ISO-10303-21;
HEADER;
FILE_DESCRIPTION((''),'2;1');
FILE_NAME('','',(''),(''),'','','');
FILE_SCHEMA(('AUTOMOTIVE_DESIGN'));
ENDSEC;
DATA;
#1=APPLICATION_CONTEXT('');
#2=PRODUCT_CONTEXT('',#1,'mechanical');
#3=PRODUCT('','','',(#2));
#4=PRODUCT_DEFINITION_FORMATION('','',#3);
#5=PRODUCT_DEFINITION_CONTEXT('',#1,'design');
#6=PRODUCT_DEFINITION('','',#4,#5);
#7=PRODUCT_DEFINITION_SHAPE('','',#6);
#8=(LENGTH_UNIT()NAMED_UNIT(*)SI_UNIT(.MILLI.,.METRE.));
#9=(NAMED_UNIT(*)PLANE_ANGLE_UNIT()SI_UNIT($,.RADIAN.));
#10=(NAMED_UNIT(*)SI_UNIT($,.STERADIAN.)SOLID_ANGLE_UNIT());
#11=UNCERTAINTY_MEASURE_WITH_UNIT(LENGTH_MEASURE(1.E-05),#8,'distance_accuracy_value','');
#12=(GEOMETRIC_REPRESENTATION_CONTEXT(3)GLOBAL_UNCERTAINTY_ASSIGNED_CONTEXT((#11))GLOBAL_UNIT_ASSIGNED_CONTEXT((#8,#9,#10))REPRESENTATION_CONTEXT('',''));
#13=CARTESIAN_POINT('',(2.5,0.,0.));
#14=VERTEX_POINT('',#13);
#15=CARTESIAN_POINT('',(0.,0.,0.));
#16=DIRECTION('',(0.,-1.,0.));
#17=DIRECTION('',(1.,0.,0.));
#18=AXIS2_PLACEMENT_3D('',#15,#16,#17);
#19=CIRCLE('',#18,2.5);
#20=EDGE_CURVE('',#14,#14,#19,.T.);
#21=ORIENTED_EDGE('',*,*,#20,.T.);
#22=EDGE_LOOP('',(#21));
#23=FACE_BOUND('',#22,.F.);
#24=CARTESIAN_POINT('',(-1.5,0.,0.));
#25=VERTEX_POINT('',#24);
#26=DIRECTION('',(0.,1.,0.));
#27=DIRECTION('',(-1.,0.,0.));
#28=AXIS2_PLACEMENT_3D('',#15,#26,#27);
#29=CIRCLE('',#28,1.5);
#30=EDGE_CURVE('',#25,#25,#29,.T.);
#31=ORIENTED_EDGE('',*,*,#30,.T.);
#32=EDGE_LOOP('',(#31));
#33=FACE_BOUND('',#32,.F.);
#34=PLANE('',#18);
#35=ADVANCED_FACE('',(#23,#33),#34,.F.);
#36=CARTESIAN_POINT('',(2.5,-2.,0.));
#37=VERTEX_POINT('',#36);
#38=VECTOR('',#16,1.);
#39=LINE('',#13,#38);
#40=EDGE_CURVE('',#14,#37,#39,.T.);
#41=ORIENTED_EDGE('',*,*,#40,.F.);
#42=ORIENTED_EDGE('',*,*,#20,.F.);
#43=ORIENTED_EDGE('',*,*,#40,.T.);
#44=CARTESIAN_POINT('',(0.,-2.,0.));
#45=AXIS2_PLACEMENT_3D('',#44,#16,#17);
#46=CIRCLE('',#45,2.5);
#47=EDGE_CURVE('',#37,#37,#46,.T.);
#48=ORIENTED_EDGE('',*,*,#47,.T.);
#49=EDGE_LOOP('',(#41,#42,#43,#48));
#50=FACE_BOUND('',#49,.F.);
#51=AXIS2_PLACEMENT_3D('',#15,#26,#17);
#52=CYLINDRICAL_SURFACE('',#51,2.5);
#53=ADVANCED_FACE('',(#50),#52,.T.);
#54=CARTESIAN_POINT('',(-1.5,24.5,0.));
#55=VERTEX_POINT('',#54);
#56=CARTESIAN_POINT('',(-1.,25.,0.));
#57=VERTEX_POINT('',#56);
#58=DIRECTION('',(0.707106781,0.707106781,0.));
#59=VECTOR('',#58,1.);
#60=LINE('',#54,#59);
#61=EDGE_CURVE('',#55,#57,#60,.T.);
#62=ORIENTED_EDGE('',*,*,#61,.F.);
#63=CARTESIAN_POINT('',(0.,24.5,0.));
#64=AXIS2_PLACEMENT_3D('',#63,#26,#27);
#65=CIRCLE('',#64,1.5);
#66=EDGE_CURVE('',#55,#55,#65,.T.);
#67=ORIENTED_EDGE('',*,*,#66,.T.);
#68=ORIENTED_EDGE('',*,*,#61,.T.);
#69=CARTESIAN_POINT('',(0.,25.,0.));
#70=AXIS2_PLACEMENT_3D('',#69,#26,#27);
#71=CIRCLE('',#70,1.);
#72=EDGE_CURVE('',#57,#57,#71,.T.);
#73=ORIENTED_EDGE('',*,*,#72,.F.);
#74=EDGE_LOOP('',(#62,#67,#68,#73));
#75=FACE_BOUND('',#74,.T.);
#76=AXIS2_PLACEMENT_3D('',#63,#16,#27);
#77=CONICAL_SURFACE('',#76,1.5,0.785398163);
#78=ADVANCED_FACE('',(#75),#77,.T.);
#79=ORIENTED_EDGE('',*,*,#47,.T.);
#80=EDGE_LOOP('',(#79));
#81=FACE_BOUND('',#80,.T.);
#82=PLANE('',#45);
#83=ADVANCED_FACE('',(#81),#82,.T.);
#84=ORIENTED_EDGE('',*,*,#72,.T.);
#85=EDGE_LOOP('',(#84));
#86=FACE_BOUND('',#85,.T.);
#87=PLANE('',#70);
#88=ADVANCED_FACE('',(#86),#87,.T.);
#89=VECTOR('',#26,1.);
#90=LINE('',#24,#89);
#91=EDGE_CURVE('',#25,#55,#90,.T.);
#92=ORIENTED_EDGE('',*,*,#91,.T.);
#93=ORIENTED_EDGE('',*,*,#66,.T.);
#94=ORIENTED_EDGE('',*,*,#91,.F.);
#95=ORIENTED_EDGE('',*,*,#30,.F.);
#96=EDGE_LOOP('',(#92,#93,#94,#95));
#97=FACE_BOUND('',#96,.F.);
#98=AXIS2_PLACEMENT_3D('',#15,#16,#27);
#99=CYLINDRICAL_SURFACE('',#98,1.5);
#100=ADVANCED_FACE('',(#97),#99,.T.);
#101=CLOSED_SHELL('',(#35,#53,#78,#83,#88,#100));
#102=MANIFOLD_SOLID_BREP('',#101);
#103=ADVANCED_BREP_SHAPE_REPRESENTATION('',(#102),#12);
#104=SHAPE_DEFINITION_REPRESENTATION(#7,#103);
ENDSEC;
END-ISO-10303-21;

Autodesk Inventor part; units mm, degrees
ref_plane "YZ Plane" through (0, 0, 0) normal (1, 0, 0) x (0, 1, 0)
ref_plane "XZ Plane" through (0, 0, 0) normal (0, 1, 0) x (-1, 0, 0)
ref_plane "XY Plane" through (0, 0, 0) normal (0, 0, 1) x (1, 0, 0)
sketch "Sketch1" plane through (0, 0, 0) normal (0, 1, 0) x (-1, 0, 0)
  circle A0 centre (0, 0) radius 1.5
  dimension "d0" = 3
extrude "Extrusion1" add sketch "Sketch1" along normal blind 25
sketch "Sketch2" plane through (0, 0, 0) normal (0, -1, 0) x (1, 0, 0)
  circle A0 centre (0, 0) radius 2.5
  dimension "d3" = 5
extrude "Extrusion2" add sketch "Sketch2" along normal blind 2
chamfer "Chamfer1" distance 0.5 angle 45 1 edges at (1.5, 25, 0)
properties part number "M3x25Bolt"
